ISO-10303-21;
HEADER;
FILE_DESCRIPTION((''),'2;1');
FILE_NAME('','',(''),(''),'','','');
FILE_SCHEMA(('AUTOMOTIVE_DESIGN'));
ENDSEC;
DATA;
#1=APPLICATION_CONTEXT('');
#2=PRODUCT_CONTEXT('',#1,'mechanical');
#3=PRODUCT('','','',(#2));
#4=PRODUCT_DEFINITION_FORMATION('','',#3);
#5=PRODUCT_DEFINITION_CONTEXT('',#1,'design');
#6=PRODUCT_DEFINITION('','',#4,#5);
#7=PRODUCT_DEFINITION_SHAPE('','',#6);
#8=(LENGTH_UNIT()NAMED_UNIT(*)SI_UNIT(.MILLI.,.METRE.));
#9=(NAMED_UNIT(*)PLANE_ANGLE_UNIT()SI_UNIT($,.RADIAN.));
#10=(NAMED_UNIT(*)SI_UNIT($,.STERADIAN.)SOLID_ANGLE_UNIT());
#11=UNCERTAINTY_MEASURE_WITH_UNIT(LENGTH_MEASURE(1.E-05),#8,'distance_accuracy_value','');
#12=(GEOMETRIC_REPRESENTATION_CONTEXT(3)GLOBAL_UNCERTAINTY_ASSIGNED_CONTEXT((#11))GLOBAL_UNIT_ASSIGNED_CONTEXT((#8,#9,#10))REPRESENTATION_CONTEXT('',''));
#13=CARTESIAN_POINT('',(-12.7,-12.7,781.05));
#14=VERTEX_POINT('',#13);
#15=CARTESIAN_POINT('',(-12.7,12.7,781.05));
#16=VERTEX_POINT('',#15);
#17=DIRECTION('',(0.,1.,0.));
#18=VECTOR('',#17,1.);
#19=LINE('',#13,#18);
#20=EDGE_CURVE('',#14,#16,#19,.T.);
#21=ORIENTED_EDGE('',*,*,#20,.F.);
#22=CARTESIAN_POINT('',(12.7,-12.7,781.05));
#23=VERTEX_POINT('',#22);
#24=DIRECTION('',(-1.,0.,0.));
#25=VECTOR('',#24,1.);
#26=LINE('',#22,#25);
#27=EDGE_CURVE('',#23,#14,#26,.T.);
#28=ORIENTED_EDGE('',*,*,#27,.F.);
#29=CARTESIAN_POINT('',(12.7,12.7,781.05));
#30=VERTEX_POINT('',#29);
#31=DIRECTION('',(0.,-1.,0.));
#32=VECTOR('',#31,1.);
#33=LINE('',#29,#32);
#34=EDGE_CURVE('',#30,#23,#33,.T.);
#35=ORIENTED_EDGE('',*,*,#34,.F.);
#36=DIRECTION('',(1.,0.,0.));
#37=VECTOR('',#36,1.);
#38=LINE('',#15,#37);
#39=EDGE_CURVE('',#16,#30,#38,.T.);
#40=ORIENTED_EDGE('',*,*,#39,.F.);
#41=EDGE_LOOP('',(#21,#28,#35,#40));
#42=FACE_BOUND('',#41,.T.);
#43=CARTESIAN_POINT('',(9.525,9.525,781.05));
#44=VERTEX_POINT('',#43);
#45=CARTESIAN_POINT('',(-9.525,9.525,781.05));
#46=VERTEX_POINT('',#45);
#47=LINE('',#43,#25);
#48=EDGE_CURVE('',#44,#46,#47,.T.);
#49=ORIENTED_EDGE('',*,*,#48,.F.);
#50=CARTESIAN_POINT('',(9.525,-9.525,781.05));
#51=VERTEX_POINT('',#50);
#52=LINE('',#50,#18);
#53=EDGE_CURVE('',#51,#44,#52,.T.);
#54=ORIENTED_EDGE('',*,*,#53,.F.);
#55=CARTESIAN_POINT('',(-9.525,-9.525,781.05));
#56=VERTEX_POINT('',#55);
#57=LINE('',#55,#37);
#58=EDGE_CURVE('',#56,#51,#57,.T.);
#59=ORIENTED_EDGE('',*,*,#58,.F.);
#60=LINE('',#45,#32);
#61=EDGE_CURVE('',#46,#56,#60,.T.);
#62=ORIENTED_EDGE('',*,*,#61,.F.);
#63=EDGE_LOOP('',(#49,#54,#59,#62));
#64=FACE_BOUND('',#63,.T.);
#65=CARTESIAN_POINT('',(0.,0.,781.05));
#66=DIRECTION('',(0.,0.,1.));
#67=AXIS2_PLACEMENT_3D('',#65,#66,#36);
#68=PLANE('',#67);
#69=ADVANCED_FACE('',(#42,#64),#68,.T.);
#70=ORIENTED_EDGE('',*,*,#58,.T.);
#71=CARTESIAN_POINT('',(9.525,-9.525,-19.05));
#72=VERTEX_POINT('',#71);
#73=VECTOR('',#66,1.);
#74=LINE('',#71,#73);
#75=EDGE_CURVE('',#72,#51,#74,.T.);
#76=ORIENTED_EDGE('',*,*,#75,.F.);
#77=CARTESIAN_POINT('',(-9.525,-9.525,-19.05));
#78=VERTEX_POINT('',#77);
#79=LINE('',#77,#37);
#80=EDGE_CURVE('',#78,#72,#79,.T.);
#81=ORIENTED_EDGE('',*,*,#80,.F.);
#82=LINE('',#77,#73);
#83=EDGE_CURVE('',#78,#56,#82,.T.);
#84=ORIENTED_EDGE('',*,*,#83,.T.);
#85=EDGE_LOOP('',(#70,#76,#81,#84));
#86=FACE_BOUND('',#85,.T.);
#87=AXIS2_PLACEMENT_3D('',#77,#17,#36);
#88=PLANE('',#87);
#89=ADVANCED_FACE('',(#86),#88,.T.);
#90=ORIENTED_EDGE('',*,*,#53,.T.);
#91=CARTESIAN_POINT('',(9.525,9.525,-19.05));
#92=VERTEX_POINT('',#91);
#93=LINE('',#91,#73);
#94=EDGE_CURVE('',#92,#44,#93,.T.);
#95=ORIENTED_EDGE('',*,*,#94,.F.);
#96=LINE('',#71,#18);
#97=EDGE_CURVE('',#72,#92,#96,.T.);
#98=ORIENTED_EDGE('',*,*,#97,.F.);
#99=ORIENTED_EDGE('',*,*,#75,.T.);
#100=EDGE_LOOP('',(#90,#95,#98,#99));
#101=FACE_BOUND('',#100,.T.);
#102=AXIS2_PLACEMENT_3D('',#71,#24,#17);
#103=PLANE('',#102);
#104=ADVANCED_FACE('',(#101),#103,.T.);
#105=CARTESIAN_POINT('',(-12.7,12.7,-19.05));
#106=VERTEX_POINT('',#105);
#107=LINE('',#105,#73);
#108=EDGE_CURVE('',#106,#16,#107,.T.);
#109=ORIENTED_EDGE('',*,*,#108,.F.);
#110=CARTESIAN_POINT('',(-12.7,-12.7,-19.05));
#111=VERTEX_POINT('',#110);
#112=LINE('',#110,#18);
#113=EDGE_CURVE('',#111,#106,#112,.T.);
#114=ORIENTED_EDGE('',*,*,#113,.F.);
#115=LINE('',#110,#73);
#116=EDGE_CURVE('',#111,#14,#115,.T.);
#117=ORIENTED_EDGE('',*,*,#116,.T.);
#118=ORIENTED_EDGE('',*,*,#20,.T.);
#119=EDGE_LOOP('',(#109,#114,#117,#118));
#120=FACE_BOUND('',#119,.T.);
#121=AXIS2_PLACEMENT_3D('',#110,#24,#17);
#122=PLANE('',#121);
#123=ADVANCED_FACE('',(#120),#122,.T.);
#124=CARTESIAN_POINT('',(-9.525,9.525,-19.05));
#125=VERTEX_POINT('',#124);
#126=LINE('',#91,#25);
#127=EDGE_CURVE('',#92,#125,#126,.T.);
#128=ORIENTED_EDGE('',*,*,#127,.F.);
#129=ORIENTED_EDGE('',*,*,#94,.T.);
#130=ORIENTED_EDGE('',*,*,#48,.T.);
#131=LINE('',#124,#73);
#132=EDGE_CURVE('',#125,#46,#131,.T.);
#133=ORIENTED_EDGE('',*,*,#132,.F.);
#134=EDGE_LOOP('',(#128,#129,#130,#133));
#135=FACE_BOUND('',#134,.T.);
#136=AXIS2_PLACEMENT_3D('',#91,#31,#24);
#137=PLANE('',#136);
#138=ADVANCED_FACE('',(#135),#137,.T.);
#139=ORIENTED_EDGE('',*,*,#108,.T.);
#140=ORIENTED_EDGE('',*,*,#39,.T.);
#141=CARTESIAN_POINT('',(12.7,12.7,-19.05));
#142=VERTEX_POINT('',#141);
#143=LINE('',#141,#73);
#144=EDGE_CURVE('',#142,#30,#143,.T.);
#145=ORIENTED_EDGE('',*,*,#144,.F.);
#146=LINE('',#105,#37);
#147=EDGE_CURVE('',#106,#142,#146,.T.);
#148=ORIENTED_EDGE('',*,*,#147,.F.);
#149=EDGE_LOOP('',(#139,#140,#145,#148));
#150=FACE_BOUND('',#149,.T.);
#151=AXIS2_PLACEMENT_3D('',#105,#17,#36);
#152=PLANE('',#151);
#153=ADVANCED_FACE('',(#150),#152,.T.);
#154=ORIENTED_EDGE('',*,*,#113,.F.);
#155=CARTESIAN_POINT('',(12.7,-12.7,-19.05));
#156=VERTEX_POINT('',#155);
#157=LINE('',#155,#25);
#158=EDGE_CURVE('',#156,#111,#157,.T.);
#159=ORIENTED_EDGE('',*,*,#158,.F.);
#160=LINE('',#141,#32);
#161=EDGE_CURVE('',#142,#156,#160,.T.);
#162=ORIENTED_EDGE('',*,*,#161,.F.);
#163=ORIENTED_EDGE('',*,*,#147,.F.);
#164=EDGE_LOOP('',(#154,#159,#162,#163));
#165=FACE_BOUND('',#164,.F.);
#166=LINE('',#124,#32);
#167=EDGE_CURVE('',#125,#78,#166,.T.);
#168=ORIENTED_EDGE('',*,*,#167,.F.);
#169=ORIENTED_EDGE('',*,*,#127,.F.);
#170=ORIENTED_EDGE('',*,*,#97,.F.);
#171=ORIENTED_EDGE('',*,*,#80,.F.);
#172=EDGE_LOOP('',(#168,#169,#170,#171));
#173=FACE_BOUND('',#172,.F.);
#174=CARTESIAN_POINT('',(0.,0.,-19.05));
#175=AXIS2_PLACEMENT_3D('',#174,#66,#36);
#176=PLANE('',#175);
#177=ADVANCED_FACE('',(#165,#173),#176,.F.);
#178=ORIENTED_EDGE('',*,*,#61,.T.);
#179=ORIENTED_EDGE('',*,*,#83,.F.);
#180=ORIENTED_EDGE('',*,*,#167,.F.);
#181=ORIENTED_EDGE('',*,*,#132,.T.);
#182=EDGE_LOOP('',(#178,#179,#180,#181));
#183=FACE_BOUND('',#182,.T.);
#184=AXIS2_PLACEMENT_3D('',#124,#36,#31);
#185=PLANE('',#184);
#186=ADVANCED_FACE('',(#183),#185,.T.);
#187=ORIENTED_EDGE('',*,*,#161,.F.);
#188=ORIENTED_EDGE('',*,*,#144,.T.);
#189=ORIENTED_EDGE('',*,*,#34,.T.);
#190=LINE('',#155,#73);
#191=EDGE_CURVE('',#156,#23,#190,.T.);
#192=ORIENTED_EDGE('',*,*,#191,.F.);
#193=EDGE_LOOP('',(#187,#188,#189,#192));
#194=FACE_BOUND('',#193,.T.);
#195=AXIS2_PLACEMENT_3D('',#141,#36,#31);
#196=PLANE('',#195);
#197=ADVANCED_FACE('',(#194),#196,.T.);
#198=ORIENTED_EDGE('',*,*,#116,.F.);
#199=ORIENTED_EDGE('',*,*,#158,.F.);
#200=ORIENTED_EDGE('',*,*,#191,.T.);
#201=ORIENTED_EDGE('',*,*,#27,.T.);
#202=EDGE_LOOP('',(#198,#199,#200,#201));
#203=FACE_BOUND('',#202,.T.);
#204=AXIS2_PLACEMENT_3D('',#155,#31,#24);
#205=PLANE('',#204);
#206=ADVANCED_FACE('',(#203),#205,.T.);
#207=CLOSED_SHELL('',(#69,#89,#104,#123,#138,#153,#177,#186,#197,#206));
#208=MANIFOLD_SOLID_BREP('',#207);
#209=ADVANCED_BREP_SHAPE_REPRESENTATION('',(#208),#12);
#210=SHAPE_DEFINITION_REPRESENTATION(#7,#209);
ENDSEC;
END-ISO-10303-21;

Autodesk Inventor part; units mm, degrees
ref_plane "Start Plane" through (0, 0, -19.05) normal (0, 0, 1) x (1, 0, 0)
ref_plane "End Plane" through (0, 0, 781.05) normal (0, 0, 1) x (1, 0, 0)
sketch "Sketch" plane through (0, 0, 0) normal (0, 0, 1) x (1, 0, 0)
  line L0 (-12.7, 12.7) -> (12.7, 12.7)
  line L1 (12.7, 12.7) -> (12.7, -12.7)
  line L2 (12.7, -12.7) -> (-12.7, -12.7)
  line L3 (-12.7, -12.7) -> (-12.7, 12.7)
  line L4 (9.525, 9.525) -> (-9.525, 9.525)
  line L5 (-9.525, 9.525) -> (-9.525, -9.525)
  line L6 (-9.525, -9.525) -> (9.525, -9.525)
  line L7 (9.525, -9.525) -> (9.525, 9.525)
  point P0 (0, 0)
  point P1 (0, 12.7)
  point P2 (-12.7, 0)
  dimension "width" = 25.4
  dimension "d1" = 3.175
extrude "Body" add sketch "Sketch" along normal up to surface (800.1 mm away) from surface at -19.05
sketch "Sketch4" plane through (0, 0, 0) normal (0, 0, 1) x (1, 0, 0)
  line L0 (0, 0) -> (10, 0)
ref_plane "Work Plane4" through (0, 0, 0) normal (0, -1, 0) x (1, 0, 0)
sketch "Sketch5" plane through (0, 0, 0) normal (0, -1, 0) x (1, 0, 0)
  line L0 (-2, -19.05) -> (12, -19.05)
  line L1 (-2, 781.05) -> (12, 781.05)
  dimension "d9" = 800.1
ref_plane "Work Plane5" through (-50.8, 0, 781.05) normal (0, 0, 1) x (1, 0, 0)
split "Split1" plane through (-50.8, 0, 781.05) removes the side toward (0, 0, 1)
ref_plane "Work Plane6" through (-12.7, 0, -19.05) normal (0, 0, -1) x (-1, 0, 0)
split "Split2" plane through (-12.7, 0, -19.05) removes the side toward (0, 0, -1)
equation "\"G_OFFSET_START\" = 19.05"
equation "\"G_OFFSET_END\" = 19.05"
equation "\"d4\" = -G_OFFSET_START"
equation "\"d5\" = length + G_OFFSET_END"
equation "\"G_L\" = 762"
equation "\"length\" = 762"
properties part number "Square Tube Profile" material "Aluminum-6061"
